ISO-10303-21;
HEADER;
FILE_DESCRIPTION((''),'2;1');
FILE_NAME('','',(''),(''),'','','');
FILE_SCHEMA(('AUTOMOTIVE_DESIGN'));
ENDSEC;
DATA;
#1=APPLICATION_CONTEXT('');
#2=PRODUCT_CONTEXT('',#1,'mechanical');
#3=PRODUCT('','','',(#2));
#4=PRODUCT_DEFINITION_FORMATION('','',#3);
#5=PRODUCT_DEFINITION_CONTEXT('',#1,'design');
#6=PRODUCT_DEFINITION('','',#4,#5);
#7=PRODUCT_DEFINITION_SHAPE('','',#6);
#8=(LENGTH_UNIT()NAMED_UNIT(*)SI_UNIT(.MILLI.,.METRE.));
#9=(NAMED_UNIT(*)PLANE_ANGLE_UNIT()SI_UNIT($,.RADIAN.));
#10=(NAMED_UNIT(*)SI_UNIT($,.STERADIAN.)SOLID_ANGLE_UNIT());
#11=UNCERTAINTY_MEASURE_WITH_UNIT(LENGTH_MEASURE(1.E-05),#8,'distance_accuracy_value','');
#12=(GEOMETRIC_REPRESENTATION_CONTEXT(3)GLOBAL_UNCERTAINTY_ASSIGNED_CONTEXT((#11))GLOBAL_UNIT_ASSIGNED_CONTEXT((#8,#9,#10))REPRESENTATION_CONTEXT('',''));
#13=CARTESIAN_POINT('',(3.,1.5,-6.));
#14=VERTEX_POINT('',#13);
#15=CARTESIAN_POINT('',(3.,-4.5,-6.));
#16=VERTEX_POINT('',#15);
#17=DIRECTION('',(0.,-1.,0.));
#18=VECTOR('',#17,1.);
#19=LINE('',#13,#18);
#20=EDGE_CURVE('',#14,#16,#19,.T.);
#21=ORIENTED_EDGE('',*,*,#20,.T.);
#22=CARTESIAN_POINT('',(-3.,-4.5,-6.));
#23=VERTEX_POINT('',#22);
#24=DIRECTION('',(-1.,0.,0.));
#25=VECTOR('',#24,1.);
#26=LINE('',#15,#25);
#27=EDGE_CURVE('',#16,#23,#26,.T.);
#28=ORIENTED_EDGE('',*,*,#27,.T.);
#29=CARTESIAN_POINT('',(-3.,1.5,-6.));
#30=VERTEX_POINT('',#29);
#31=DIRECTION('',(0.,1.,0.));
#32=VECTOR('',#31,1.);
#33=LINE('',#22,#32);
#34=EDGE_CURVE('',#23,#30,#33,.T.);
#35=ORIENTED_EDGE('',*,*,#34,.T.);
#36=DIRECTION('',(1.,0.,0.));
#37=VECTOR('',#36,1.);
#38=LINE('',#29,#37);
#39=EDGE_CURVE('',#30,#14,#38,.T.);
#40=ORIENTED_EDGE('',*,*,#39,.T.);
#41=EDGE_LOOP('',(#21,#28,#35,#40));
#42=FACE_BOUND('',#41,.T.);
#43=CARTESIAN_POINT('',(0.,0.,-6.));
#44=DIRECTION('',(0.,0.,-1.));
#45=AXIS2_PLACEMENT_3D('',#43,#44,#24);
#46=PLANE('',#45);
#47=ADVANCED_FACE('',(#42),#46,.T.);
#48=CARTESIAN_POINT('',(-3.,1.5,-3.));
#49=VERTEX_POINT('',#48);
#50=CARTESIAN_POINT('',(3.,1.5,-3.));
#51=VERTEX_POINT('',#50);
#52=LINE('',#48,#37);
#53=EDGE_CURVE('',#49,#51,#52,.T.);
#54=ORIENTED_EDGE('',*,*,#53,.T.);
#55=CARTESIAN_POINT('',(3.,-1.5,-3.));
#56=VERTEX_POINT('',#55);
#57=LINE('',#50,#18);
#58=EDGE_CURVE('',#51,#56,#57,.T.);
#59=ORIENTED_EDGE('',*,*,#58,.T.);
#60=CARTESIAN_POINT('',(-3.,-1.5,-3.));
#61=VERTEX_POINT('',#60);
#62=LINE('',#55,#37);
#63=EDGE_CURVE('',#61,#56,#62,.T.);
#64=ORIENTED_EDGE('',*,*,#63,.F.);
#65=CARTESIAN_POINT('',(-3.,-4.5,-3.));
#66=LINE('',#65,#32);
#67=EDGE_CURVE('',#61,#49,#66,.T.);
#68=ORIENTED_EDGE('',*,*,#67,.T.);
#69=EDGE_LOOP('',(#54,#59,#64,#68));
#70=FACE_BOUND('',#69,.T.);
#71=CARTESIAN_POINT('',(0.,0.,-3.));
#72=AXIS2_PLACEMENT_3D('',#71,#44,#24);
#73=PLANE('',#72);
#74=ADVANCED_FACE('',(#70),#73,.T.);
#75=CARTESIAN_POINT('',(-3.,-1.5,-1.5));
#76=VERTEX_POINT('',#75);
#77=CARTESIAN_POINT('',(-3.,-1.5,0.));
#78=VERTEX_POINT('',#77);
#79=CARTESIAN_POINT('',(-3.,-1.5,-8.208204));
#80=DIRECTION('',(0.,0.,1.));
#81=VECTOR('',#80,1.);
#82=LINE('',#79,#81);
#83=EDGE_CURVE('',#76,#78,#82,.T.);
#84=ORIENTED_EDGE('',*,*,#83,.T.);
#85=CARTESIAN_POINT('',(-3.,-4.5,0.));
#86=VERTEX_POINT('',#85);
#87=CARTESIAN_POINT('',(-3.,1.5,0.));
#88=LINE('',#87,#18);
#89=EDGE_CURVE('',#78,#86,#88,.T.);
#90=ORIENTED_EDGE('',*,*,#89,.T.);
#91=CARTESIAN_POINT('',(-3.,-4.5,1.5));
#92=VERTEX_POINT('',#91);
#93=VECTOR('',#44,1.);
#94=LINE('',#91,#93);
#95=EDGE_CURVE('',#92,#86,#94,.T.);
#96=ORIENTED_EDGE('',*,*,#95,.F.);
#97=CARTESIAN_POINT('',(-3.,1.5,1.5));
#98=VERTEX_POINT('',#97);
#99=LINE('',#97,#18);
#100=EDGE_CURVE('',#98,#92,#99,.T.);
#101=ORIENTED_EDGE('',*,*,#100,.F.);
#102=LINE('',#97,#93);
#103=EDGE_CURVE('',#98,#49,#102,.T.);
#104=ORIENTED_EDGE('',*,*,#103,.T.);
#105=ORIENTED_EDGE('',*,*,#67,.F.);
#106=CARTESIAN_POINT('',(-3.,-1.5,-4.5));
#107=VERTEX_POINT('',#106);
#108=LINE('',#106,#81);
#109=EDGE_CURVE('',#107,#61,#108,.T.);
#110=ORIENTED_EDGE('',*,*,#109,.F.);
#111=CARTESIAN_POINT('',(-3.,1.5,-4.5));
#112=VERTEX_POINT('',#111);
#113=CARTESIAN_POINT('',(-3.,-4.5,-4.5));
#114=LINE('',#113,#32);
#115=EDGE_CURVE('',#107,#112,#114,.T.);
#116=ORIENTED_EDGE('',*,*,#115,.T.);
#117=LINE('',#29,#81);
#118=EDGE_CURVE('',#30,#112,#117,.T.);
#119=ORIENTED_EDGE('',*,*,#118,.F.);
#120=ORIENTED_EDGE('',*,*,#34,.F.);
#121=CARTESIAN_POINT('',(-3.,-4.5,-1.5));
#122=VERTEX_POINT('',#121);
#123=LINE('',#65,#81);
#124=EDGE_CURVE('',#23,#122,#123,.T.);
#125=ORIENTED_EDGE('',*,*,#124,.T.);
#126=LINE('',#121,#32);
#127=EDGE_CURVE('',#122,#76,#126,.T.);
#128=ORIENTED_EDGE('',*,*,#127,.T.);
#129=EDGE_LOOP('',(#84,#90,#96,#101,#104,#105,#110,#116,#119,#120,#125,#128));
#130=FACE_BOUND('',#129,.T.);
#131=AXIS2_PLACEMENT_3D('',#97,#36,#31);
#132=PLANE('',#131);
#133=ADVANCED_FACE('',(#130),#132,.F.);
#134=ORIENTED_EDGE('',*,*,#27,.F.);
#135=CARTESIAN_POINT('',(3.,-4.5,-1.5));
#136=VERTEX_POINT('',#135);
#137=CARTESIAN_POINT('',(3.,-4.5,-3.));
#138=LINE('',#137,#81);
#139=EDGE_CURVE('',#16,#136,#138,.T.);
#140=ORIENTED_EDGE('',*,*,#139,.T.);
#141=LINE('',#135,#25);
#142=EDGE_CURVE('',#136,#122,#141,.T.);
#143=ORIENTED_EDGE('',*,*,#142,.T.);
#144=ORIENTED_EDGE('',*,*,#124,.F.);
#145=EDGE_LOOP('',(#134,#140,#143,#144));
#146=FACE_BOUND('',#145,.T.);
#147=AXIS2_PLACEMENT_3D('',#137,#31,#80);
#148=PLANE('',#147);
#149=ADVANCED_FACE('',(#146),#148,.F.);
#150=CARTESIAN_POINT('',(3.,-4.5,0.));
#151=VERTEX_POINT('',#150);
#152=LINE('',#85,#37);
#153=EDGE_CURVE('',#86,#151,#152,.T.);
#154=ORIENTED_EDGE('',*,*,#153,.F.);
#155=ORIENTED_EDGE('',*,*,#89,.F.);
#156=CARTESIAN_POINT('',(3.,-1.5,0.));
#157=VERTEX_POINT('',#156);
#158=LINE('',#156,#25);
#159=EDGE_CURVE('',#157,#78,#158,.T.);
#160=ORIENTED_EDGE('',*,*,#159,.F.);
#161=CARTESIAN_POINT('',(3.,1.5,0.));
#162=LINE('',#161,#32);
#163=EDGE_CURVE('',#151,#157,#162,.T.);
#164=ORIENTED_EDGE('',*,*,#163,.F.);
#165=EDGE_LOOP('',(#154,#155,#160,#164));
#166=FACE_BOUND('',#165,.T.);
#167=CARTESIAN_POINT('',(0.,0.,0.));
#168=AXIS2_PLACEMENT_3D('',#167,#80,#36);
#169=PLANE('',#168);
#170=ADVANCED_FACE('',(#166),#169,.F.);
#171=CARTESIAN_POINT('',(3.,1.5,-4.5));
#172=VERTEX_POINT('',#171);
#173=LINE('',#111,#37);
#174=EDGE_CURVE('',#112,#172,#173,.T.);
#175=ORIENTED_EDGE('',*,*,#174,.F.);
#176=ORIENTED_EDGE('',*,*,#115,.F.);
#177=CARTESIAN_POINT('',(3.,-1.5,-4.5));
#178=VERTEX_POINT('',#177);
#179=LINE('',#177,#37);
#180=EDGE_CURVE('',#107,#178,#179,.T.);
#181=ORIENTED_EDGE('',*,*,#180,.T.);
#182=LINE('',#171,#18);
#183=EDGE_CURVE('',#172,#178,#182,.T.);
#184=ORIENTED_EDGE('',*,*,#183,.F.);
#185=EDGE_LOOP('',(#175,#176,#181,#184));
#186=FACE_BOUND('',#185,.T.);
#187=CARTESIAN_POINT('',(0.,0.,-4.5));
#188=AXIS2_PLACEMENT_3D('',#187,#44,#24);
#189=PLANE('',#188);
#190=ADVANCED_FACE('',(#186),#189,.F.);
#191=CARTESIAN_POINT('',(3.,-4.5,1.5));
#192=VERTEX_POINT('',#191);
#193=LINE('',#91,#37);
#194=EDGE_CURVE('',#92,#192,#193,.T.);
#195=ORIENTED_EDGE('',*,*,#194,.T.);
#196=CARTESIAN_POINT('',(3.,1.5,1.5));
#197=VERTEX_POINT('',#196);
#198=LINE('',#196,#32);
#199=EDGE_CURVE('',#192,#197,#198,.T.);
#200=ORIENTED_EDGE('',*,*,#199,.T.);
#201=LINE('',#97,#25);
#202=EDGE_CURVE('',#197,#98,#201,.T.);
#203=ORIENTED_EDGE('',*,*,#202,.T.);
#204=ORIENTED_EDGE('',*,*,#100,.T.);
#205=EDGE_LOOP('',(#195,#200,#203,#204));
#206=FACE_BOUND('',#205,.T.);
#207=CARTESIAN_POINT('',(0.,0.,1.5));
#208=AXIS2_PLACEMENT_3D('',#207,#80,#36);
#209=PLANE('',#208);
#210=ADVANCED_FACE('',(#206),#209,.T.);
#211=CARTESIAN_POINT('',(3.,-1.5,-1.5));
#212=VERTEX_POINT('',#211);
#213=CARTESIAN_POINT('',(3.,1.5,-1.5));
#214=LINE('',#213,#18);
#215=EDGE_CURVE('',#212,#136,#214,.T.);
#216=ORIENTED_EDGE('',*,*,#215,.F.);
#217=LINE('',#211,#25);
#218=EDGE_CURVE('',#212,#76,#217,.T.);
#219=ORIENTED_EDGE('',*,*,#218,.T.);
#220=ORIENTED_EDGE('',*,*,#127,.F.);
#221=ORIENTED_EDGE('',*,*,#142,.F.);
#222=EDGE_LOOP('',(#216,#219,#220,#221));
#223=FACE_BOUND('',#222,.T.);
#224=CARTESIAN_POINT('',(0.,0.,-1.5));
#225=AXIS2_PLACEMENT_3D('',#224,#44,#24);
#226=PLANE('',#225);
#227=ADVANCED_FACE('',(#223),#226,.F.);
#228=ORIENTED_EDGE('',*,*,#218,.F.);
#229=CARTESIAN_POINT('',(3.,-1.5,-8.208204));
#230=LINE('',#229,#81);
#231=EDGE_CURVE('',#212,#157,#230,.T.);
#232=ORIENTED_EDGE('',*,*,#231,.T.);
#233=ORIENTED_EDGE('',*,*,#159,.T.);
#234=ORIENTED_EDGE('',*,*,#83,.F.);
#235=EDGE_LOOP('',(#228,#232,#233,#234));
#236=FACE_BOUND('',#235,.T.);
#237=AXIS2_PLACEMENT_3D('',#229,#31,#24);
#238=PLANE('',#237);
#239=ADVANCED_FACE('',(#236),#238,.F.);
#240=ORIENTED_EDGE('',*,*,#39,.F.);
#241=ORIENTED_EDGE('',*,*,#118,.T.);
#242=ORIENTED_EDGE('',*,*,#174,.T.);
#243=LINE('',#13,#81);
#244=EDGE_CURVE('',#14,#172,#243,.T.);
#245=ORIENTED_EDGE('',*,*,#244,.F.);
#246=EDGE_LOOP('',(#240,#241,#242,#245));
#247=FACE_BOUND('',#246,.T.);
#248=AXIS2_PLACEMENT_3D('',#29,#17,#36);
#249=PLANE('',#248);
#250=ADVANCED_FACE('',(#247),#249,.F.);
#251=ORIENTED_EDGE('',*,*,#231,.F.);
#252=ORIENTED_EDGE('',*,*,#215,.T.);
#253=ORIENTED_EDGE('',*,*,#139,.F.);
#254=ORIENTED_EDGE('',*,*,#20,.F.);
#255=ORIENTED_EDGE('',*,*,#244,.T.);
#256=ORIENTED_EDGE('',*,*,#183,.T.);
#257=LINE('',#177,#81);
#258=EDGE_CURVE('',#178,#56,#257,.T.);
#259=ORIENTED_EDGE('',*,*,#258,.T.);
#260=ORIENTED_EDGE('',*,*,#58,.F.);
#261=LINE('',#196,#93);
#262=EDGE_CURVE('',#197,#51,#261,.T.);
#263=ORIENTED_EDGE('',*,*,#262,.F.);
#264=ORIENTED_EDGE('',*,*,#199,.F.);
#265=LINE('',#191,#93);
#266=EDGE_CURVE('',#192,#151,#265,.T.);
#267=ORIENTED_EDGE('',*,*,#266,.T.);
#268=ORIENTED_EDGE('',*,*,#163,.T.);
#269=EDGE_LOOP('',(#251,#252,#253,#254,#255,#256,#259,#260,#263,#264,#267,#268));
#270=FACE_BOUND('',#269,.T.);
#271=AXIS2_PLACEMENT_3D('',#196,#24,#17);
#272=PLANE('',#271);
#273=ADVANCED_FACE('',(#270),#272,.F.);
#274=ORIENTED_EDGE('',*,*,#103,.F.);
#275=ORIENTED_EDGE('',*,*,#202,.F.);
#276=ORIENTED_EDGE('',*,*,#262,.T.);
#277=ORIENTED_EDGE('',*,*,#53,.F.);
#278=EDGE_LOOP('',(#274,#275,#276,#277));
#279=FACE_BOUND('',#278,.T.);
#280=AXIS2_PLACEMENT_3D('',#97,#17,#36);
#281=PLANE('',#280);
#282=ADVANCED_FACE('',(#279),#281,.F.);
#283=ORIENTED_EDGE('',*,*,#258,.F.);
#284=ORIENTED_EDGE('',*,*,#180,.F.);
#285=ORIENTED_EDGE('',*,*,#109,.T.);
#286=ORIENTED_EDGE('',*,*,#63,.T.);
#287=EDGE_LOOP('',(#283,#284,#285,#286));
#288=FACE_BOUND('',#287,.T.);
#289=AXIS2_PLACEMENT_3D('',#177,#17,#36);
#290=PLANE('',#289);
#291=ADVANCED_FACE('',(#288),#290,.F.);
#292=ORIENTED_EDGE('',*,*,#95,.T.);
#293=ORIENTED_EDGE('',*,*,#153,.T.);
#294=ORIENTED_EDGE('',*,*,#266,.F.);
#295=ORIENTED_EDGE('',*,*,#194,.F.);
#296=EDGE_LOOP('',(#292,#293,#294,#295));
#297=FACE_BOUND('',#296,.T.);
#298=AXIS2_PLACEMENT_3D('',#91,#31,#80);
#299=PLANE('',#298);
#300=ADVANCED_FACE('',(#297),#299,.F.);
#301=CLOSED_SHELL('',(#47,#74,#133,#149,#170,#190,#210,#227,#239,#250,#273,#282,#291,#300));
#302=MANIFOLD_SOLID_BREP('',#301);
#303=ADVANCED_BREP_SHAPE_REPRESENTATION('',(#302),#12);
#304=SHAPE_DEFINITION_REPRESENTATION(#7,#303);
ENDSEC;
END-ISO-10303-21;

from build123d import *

# Parameters (mm, degrees)
SKETCH1_W           = 6
SKETCH1_H           = 6
BOSS_EXTRUDE1_DEPTH = 1.5
SKETCH2_W           = 6
SKETCH2_H           = 3
BOSS_EXTRUDE2_DEPTH = 1.5
SKETCH3_W           = 6
SKETCH3_H           = 6
BOSS_EXTRUDE4_DEPTH = 1.5
SKETCH4_W           = 6
SKETCH4_H           = 3
BOSS_EXTRUDE5_DEPTH = 1.5
SKETCH5_W           = 6
SKETCH5_H           = 6
BOSS_EXTRUDE6_DEPTH = 1.5


with BuildPart() as part:
    # Sketch1 → Boss-Extrude1 (new body)
    with BuildSketch(Plane.XY):
        with Locations((0, -1.5)):
            Rectangle(SKETCH1_W, SKETCH1_H)
    extrude(amount=BOSS_EXTRUDE1_DEPTH)

    # Sketch2 → Boss-Extrude2 (add)
    with BuildSketch(Plane(origin=(0, 0, 0), x_dir=(-1, 0, 0), z_dir=(0, 0, -1))):
        Rectangle(SKETCH2_W, SKETCH2_H)
    extrude(amount=BOSS_EXTRUDE2_DEPTH)

    # Sketch3 → Boss-Extrude4 (add)
    with BuildSketch(Plane(origin=(0, 0, -1.5), x_dir=(-1, 0, 0), z_dir=(0, 0, -1))):
        with Locations((0, -1.5)):
            Rectangle(SKETCH3_W, SKETCH3_H)
    extrude(amount=BOSS_EXTRUDE4_DEPTH)

    # Sketch4 → Boss-Extrude5 (add)
    with BuildSketch(Plane(origin=(0, 0, -3), x_dir=(-1, 0, 0), z_dir=(0, 0, -1))):
        with Locations((0, -3)):
            Rectangle(SKETCH4_W, SKETCH4_H)
    extrude(amount=BOSS_EXTRUDE5_DEPTH)

    # Sketch5 → Boss-Extrude6 (add)
    with BuildSketch(Plane(origin=(0, 0, -4.5), x_dir=(-1, 0, 0), z_dir=(0, 0, -1))):
        with Locations((0, -1.5)):
            Rectangle(SKETCH5_W, SKETCH5_H)
    extrude(amount=BOSS_EXTRUDE6_DEPTH)


solid = part.part
